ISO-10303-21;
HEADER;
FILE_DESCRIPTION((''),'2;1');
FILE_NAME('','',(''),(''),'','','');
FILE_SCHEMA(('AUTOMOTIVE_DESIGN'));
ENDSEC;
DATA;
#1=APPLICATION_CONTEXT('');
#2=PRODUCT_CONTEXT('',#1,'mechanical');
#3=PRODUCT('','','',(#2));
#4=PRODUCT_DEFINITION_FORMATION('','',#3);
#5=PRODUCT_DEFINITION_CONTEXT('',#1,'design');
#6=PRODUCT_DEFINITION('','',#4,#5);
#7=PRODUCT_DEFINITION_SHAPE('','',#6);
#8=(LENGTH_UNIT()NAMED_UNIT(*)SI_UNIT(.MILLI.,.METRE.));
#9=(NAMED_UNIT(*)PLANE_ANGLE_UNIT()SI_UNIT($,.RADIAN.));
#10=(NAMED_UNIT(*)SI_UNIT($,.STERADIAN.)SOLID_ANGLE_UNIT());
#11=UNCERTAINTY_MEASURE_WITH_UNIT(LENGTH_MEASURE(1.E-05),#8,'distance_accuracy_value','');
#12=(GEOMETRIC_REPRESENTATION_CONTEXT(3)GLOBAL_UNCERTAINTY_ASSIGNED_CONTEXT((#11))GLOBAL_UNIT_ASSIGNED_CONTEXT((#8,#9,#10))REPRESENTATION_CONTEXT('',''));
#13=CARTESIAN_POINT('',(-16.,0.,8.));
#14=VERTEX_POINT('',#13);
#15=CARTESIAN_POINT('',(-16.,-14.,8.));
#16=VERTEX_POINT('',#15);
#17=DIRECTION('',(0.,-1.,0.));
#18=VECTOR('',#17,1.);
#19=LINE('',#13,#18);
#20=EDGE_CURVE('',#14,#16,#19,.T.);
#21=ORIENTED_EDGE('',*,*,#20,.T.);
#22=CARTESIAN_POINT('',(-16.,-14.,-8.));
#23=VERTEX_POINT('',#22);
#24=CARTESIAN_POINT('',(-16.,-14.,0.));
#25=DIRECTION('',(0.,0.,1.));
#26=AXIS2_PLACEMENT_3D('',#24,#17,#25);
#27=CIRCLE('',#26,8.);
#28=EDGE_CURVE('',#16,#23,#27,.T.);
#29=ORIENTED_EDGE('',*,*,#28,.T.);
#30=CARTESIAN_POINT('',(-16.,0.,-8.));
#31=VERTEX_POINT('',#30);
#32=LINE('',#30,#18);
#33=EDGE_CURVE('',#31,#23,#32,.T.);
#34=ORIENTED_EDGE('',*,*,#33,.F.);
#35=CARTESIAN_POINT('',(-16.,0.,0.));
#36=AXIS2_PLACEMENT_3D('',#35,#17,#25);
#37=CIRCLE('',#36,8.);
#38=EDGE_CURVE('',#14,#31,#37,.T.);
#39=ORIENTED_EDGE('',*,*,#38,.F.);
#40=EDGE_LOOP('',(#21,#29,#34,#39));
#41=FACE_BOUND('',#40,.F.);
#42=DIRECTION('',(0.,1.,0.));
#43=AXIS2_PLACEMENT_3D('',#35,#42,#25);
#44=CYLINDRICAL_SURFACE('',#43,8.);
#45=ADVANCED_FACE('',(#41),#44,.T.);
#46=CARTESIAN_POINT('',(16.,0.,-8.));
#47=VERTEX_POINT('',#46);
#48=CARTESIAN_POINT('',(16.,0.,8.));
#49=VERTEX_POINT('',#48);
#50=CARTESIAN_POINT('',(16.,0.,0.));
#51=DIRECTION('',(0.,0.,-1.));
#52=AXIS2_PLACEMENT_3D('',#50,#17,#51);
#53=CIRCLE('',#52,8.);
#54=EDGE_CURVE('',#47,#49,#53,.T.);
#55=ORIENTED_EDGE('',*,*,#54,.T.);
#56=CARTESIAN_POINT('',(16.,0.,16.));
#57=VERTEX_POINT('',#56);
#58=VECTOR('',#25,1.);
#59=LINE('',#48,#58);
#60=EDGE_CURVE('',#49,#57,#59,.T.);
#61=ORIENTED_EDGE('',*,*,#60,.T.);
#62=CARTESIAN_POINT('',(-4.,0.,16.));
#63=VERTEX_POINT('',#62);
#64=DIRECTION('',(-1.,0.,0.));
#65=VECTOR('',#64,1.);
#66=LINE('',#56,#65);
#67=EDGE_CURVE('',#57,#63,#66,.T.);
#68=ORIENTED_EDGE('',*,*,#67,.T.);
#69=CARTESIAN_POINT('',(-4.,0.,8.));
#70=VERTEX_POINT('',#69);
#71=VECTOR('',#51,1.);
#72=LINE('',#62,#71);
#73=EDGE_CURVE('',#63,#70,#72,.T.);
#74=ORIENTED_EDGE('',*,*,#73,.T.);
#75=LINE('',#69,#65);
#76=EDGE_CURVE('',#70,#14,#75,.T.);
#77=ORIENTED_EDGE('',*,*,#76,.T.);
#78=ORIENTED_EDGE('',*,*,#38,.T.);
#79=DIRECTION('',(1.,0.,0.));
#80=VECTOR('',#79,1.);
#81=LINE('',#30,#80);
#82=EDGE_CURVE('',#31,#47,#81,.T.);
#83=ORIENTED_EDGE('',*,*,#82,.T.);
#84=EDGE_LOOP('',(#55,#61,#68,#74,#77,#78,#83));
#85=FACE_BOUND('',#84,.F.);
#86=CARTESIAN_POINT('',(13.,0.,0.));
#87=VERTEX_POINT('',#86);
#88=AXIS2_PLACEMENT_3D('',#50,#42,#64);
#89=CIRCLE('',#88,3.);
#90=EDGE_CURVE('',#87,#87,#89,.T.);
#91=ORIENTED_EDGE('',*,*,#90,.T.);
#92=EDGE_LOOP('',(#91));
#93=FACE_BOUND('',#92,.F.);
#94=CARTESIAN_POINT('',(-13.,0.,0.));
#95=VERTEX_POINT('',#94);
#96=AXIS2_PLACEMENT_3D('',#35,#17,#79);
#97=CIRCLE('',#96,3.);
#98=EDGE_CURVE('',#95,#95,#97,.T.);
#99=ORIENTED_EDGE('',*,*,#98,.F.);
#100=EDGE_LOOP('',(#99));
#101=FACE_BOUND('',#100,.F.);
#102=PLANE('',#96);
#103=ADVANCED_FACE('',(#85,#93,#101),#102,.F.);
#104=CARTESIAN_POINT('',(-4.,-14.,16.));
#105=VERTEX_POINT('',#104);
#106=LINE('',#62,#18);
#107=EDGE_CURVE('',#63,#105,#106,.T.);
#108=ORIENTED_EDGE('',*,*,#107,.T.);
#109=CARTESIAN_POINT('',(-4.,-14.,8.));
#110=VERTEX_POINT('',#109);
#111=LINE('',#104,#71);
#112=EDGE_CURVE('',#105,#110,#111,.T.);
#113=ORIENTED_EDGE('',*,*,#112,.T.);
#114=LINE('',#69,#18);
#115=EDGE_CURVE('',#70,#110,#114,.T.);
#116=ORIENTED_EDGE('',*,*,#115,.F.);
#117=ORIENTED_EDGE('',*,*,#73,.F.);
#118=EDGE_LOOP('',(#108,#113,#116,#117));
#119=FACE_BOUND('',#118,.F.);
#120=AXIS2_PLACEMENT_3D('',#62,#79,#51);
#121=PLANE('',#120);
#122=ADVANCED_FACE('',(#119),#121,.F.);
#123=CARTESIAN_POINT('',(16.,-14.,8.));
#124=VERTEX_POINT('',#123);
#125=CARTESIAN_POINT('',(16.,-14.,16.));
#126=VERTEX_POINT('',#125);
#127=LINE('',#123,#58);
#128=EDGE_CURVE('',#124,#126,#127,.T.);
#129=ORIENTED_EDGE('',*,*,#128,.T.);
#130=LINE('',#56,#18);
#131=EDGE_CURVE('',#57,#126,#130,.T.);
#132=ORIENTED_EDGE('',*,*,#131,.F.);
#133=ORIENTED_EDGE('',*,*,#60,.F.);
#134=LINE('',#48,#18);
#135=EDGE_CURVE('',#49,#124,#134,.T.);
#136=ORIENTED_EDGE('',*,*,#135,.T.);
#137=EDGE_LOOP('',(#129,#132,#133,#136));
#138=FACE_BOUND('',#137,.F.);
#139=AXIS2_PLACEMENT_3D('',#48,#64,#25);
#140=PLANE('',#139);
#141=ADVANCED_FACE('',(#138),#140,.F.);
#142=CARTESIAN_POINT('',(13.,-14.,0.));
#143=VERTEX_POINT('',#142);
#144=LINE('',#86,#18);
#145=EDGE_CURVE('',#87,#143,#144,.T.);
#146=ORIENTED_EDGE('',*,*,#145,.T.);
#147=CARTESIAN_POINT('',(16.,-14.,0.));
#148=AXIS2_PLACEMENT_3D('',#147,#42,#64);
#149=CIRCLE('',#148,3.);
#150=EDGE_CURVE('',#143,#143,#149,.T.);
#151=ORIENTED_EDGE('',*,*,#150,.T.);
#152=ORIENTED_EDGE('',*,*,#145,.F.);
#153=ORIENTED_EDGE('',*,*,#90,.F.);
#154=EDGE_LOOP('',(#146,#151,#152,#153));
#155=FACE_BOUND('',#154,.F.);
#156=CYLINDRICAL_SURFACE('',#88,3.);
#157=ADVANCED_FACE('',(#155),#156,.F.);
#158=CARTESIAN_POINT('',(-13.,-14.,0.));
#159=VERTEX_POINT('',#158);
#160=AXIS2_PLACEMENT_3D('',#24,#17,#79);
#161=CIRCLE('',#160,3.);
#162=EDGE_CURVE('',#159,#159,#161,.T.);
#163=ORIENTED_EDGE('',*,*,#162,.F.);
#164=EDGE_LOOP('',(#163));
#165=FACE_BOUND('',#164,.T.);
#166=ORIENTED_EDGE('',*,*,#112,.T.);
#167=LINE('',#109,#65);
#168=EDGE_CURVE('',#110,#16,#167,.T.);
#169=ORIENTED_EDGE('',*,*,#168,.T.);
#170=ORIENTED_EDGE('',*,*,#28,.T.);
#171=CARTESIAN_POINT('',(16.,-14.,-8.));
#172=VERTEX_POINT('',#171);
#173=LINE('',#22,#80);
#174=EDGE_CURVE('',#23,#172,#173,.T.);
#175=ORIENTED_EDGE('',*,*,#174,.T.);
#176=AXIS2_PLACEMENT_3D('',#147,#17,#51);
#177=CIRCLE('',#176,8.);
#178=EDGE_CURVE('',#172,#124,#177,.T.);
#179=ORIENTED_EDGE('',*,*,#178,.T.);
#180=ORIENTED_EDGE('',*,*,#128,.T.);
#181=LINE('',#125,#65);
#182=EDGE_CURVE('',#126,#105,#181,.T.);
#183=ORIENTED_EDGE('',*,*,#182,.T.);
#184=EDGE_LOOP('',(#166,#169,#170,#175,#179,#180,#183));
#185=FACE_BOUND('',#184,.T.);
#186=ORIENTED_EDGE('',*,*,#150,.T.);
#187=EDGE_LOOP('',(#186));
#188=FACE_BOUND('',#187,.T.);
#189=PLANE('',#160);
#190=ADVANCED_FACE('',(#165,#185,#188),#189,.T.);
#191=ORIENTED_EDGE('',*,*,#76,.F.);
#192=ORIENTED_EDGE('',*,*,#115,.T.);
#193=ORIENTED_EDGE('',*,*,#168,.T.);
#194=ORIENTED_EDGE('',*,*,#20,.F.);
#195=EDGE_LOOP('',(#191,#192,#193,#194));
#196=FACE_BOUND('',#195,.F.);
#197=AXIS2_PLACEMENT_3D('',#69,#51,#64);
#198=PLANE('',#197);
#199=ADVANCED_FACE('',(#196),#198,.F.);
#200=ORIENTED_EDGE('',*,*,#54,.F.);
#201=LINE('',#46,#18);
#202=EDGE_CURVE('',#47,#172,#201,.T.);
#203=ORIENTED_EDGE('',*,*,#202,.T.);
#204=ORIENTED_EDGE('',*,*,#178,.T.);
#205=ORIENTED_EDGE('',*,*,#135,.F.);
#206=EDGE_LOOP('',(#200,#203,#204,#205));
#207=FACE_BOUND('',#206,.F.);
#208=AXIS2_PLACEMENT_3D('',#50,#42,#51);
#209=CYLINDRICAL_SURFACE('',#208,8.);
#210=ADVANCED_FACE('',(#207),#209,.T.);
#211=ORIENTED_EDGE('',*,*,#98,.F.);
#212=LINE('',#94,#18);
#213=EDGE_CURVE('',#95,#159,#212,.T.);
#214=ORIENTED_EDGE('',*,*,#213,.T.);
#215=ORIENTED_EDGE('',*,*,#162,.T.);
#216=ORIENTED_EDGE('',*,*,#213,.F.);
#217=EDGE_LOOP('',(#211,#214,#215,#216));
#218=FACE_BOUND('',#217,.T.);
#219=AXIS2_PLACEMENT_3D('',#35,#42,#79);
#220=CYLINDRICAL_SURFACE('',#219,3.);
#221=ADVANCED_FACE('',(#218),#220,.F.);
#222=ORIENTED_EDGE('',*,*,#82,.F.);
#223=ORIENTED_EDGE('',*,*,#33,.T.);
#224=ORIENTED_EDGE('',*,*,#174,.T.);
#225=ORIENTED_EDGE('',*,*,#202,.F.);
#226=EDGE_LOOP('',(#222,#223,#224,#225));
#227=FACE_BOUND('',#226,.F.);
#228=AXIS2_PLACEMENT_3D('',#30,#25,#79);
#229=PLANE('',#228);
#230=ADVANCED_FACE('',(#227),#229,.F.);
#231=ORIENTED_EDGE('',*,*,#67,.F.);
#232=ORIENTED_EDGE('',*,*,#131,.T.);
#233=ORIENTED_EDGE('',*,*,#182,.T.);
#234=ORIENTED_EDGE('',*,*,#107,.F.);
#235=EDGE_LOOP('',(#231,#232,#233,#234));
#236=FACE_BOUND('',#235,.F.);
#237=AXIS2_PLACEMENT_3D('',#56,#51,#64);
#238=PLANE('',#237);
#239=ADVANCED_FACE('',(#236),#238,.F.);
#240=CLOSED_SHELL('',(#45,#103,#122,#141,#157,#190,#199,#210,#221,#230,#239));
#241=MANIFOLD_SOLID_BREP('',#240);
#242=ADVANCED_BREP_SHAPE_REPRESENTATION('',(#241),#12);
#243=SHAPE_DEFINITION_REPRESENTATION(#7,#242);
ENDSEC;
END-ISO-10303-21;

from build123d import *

# Parameters (mm, degrees)
F0_R     = 3
F1_DEPTH = 14


with BuildPart() as f1:
    # F0 (on Front) → F1 (new body)
    with BuildSketch(Plane.XZ):
        with Locations((-16, 0)):
            Circle(F0_R)
        with BuildLine():
            ThreePointArc((19, 0), (16, 3), (13, 0))
            ThreePointArc((13, 0), (16, -3), (19, 0))
        make_face()
        with BuildLine():
            ThreePointArc((-16, 8), (-24, 0), (-16, -8))
            Line((-16, -8), (16, -8))
            ThreePointArc((16, -8), (24, 0), (16, 8))
            Line((16, 8), (16, 16))
            Line((16, 16), (-4, 16))
            Line((-4, 16), (-4, 8))
            Line((-4, 8), (-16, 8))
        make_face()
        with Locations((-16, 0)):
            Circle(F0_R, mode=Mode.SUBTRACT)
        with BuildLine():
            ThreePointArc((19, 0), (16, -3), (13, 0))
            ThreePointArc((13, 0), (16, 3), (19, 0))
        make_face(mode=Mode.SUBTRACT)
    extrude(amount=F1_DEPTH)


solid = f1.part
